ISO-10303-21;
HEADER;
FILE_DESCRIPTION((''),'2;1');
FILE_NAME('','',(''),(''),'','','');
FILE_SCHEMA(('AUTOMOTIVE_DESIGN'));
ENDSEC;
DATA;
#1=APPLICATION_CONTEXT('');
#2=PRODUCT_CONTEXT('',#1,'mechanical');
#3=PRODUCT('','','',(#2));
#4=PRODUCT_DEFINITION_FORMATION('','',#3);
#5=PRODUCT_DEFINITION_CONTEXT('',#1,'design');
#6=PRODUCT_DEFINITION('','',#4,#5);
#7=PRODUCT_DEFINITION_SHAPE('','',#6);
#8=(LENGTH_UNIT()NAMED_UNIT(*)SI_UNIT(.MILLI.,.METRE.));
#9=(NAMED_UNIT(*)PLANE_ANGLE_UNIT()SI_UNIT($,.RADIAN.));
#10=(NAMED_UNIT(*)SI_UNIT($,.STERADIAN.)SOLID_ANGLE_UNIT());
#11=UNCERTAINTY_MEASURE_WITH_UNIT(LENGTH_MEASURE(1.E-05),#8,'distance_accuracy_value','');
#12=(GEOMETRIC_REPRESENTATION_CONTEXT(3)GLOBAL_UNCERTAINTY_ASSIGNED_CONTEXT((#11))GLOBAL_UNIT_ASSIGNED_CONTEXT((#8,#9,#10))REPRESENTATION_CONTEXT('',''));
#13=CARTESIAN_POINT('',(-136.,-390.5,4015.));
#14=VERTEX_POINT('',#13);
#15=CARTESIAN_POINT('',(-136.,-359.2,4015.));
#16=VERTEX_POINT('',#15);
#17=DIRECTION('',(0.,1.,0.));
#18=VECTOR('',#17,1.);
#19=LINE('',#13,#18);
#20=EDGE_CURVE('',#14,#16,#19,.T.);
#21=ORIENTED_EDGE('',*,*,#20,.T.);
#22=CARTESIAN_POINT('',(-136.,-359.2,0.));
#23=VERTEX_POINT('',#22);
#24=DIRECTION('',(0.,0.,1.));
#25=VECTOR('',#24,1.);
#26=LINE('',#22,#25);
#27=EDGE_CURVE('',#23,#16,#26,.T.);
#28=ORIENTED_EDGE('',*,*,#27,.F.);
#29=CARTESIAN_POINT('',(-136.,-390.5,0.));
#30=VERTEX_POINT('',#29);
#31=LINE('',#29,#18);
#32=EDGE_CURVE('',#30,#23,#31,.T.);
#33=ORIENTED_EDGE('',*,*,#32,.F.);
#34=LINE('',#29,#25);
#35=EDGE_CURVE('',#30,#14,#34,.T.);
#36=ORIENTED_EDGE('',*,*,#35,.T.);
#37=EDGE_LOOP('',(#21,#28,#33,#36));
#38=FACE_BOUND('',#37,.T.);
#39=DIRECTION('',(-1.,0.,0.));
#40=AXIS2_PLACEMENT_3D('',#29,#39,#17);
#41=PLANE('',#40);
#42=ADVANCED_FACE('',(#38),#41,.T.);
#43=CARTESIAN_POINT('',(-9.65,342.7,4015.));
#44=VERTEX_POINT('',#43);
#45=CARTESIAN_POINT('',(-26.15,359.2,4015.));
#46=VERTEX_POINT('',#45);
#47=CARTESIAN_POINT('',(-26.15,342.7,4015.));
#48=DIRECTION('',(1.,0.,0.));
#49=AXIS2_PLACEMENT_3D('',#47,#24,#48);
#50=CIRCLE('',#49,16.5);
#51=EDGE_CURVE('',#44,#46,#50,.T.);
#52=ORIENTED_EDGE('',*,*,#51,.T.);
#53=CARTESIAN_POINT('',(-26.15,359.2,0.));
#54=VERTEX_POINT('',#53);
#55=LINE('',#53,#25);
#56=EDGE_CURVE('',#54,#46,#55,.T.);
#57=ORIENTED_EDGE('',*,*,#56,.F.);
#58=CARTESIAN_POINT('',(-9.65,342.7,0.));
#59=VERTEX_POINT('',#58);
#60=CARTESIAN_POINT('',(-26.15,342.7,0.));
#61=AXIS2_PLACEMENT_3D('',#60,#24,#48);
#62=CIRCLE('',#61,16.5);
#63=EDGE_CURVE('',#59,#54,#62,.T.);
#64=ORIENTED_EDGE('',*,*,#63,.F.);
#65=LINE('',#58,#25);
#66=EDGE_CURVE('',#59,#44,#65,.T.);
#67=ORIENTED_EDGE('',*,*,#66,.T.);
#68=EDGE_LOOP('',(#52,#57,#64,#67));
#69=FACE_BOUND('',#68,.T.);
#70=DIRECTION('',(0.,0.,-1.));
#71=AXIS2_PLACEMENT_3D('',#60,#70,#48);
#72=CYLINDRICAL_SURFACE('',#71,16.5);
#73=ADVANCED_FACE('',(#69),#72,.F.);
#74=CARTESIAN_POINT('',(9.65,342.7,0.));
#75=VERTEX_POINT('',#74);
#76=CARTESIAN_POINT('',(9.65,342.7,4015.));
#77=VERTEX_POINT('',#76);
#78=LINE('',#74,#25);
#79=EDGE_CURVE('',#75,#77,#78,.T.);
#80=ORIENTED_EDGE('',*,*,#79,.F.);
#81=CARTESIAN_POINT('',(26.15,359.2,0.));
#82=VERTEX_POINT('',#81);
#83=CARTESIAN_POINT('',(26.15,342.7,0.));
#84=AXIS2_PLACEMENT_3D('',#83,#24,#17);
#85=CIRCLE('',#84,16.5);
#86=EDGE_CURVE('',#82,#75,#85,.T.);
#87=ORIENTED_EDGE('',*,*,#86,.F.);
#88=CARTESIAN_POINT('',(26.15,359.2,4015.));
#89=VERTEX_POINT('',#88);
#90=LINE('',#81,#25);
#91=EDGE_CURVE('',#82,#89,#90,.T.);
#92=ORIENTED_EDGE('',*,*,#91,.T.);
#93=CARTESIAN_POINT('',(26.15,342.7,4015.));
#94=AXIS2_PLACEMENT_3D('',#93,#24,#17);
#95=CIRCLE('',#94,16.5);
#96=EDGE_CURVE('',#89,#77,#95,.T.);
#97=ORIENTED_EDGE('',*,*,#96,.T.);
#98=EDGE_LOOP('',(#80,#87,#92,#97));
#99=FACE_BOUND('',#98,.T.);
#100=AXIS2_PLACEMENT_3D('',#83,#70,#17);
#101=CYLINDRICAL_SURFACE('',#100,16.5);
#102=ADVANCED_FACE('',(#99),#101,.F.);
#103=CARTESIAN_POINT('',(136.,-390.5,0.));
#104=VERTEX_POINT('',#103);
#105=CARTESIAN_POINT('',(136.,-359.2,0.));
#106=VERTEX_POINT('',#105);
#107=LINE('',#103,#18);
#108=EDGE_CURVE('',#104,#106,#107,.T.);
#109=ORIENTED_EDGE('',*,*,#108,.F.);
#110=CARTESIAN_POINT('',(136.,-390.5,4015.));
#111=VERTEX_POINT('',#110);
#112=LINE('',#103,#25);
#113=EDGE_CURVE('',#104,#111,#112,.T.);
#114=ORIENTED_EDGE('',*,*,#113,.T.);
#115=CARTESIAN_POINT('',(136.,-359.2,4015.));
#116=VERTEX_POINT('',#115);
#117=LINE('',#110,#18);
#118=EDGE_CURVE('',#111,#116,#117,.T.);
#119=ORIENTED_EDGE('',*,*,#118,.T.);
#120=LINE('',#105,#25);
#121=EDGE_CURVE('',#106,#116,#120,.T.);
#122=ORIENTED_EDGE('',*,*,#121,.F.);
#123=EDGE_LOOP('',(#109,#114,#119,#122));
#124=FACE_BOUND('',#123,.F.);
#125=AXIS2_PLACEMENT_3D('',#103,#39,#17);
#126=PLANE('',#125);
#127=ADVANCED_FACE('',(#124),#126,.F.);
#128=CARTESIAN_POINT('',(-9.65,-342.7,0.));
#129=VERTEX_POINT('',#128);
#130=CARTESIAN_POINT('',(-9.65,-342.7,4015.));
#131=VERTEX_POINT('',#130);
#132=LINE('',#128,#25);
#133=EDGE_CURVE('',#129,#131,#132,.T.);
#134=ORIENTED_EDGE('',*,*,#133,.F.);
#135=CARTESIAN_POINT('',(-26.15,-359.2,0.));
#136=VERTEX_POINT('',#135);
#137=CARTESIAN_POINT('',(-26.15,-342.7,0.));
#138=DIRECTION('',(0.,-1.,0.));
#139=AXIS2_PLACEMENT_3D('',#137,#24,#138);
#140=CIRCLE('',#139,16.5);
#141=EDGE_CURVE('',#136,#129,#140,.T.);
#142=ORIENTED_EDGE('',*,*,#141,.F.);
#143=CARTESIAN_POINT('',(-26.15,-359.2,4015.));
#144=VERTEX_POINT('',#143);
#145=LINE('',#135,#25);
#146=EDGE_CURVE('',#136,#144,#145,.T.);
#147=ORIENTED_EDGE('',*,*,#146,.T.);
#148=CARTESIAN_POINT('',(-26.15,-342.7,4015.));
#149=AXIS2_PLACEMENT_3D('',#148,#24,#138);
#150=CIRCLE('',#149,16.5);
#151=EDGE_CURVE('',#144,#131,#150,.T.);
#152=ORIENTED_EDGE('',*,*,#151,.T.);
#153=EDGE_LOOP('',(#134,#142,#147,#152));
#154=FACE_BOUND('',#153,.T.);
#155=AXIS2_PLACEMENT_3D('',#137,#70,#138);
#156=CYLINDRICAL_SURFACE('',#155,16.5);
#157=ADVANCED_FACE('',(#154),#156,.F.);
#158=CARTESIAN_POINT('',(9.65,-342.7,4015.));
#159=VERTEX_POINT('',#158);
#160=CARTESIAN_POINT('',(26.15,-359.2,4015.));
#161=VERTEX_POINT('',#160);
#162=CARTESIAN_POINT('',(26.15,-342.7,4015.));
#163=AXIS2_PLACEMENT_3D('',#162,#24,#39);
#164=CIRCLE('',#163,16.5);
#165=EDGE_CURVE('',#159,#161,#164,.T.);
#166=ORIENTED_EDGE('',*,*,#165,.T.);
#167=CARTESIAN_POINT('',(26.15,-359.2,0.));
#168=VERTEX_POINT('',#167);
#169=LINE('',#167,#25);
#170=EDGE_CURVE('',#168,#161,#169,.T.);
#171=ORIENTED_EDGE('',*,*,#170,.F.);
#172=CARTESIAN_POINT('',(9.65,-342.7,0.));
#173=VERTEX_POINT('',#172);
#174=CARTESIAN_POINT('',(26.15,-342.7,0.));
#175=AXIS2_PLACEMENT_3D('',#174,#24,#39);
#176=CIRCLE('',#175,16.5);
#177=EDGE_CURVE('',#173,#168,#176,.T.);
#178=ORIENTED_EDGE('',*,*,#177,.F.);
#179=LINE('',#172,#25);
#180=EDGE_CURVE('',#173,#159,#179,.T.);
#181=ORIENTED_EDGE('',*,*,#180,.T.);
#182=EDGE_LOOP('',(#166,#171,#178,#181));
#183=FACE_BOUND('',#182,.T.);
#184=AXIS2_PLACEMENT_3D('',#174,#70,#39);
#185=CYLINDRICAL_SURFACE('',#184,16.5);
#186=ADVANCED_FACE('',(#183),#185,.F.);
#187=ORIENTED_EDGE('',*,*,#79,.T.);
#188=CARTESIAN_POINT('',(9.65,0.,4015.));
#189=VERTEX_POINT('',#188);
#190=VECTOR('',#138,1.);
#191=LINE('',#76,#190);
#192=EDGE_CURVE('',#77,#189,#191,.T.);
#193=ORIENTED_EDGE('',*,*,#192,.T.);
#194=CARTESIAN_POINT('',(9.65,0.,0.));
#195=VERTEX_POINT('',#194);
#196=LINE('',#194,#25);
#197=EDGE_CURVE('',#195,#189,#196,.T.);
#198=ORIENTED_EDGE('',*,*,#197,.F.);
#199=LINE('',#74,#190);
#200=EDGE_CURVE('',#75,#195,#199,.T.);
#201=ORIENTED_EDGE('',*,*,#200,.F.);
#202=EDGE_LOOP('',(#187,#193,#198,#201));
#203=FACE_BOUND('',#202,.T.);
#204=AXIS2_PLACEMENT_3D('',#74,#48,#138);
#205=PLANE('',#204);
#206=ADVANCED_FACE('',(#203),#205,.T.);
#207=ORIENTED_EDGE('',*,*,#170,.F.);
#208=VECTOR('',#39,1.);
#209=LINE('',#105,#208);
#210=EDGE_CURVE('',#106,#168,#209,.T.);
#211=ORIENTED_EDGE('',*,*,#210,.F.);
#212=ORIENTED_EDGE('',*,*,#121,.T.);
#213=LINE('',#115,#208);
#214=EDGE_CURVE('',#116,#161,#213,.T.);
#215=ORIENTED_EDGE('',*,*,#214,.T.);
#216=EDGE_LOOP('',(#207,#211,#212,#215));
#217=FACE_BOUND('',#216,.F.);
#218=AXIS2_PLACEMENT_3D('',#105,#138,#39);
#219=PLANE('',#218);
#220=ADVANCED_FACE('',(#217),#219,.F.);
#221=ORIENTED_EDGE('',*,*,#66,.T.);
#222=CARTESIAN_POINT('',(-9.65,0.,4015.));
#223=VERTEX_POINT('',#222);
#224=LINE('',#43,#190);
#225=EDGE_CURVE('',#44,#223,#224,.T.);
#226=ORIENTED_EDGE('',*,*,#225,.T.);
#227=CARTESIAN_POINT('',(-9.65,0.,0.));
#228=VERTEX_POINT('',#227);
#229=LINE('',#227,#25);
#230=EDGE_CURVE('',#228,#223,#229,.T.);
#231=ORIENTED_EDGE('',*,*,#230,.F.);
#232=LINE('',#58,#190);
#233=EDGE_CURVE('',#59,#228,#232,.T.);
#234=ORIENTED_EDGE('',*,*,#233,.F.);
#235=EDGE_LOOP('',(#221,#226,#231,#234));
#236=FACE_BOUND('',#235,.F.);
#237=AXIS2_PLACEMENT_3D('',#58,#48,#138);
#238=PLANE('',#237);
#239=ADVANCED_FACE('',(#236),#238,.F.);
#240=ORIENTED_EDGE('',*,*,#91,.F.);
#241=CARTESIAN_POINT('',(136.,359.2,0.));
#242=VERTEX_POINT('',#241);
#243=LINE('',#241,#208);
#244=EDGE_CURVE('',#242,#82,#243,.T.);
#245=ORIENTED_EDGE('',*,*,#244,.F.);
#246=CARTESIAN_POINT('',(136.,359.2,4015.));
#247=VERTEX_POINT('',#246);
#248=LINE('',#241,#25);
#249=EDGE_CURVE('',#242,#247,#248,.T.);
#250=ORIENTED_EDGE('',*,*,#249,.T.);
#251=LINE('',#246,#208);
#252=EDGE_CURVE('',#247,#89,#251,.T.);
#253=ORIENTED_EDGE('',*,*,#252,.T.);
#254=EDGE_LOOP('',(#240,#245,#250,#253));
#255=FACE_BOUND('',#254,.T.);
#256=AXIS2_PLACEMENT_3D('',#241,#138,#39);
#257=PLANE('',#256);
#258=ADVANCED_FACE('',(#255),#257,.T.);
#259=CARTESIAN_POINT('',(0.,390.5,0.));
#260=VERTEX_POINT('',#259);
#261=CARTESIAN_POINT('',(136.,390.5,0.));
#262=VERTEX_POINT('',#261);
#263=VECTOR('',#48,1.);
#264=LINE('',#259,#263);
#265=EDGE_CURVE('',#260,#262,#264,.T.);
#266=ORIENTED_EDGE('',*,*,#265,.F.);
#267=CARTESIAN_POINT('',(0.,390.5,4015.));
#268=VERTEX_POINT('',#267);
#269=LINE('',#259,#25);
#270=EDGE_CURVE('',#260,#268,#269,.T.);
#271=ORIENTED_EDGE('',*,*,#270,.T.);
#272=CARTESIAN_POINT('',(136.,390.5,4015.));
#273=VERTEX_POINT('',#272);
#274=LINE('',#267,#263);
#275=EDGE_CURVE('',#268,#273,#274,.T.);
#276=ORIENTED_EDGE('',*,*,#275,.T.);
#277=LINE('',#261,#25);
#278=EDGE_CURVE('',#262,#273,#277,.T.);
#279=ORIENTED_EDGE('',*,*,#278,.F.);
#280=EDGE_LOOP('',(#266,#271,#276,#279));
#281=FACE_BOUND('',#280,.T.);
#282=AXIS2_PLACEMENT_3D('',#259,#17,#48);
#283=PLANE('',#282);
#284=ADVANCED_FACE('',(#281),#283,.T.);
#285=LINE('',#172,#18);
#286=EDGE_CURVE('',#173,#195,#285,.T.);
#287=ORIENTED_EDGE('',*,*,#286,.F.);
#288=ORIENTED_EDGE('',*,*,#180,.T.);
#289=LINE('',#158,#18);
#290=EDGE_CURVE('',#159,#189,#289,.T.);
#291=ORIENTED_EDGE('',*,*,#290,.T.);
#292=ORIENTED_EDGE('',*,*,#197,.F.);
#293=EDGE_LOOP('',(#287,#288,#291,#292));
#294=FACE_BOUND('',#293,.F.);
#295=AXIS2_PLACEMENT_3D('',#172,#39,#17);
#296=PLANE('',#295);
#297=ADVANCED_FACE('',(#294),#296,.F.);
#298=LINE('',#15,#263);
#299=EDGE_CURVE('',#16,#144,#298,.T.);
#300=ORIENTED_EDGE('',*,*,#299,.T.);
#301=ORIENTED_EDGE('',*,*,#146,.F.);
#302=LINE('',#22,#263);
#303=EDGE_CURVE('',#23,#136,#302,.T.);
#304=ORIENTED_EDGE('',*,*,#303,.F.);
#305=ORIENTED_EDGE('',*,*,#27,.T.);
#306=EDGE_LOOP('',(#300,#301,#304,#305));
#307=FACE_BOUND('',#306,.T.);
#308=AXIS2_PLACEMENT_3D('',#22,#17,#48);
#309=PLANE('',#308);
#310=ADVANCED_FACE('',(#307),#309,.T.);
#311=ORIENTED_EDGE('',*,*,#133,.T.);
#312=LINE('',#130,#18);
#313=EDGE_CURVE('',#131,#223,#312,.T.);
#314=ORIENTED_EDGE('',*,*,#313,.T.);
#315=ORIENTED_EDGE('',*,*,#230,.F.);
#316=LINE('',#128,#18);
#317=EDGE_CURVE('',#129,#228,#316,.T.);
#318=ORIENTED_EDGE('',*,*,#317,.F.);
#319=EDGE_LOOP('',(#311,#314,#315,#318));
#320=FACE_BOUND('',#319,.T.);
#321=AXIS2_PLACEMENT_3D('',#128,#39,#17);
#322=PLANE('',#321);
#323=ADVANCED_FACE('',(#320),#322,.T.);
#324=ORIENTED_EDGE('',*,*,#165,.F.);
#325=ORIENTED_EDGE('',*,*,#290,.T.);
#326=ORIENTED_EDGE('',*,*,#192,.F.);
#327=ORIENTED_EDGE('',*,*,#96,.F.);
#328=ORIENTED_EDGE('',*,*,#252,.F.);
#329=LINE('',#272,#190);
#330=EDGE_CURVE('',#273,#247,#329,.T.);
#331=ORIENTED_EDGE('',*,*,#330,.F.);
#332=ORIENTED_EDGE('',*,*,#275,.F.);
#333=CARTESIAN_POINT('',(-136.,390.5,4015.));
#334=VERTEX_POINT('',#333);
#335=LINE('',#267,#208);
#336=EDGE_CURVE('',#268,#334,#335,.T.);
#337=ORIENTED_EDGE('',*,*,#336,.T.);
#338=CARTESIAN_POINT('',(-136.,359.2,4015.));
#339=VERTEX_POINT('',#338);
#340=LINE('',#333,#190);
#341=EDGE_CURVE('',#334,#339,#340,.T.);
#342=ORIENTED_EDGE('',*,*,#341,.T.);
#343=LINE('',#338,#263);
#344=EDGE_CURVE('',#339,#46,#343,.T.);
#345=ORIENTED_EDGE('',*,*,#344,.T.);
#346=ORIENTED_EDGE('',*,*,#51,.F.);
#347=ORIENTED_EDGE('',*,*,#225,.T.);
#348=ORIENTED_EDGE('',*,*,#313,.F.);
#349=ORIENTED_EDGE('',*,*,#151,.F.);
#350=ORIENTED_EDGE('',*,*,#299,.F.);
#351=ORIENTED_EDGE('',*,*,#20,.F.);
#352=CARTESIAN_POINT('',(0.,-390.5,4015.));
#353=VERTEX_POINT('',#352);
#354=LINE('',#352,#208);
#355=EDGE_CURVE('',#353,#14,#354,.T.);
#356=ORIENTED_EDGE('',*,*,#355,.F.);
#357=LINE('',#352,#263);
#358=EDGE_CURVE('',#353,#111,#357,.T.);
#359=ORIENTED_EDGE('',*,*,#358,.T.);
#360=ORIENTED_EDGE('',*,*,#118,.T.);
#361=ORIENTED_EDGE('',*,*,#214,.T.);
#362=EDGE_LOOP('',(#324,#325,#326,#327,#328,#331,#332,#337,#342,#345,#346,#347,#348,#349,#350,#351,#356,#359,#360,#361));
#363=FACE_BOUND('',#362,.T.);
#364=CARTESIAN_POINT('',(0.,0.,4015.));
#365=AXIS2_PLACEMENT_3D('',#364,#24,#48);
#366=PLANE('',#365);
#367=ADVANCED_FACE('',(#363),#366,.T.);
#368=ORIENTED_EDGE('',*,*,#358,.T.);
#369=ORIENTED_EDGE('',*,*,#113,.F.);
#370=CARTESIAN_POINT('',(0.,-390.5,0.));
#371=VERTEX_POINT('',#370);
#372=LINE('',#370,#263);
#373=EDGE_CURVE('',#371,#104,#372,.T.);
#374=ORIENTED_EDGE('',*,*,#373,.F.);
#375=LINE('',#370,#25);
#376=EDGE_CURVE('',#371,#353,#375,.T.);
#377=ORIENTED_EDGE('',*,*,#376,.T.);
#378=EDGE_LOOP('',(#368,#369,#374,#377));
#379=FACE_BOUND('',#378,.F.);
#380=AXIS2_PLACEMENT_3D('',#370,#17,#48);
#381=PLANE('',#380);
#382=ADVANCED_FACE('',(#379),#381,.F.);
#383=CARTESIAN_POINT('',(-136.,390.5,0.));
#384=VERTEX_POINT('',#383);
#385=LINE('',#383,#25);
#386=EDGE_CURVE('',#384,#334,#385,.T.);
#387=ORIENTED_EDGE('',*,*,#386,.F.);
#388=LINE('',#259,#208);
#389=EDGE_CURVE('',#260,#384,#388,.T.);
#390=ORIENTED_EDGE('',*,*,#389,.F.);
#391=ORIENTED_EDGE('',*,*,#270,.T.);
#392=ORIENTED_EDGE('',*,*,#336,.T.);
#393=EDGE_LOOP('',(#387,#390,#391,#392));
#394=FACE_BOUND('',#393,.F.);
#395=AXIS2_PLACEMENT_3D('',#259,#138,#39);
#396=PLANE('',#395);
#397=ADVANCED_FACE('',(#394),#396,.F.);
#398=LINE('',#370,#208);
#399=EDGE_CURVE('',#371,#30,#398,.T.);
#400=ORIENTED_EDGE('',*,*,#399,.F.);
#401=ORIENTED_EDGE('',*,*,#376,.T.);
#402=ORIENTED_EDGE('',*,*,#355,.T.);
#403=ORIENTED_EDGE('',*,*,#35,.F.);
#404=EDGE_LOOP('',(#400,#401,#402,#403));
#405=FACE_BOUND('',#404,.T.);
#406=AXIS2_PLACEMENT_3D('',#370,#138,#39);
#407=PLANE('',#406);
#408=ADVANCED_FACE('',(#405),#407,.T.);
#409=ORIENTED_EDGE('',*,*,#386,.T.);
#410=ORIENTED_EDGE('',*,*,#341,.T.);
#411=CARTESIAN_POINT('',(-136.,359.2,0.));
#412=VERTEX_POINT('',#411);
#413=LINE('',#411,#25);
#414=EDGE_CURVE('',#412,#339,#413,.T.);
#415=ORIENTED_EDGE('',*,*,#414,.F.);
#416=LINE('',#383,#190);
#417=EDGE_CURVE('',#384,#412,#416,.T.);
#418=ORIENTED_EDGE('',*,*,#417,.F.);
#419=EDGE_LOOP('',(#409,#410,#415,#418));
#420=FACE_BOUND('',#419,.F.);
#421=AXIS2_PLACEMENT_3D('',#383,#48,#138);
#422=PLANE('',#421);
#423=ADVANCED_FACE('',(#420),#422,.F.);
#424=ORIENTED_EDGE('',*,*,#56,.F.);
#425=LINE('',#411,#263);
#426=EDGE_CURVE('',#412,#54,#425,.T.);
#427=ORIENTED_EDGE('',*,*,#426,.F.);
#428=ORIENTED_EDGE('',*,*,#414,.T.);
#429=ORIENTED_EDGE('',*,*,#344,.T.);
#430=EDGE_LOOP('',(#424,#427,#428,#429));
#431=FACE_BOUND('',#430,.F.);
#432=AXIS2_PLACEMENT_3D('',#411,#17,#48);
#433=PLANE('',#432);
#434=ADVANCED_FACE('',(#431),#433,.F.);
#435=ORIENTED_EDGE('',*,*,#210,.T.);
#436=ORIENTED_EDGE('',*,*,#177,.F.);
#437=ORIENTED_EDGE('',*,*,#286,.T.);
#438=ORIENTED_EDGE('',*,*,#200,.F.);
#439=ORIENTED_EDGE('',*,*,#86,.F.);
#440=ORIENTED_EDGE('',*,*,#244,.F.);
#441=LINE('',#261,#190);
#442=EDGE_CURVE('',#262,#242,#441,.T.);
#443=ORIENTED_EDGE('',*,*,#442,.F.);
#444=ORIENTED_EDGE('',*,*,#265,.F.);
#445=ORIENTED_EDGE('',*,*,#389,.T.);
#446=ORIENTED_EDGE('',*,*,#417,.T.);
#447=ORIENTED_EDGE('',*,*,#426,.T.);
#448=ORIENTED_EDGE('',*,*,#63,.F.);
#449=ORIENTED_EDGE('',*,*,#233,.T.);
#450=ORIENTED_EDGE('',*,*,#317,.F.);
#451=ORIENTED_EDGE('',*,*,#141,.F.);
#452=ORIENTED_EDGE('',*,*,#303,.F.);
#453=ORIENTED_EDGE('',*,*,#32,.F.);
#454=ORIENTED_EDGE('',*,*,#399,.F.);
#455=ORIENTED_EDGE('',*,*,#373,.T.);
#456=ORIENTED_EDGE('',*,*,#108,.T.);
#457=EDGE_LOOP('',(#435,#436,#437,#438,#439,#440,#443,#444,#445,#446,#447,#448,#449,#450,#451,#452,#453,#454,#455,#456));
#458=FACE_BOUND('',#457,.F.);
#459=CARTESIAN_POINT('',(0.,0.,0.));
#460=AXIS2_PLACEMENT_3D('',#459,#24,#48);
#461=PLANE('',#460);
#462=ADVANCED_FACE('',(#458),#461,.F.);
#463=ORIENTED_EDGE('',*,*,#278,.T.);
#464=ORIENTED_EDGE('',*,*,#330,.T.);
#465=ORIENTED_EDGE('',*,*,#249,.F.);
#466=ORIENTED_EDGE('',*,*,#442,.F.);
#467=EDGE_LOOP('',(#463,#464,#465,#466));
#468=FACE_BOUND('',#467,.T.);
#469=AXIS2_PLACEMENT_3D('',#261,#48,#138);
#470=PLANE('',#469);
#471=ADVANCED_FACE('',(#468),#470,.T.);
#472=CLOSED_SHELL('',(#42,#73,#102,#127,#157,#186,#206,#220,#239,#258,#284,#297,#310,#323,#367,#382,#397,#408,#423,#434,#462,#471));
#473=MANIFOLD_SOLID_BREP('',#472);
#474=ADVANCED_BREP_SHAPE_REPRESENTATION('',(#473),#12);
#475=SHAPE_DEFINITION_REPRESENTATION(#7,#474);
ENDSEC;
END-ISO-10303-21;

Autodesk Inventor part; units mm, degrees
ref_plane "YZ Plane" through (0, 0, 0) normal (1, 0, 0) x (0, 1, 0)
ref_plane "Start plane" through (0, 0, 0) normal (0, 0, 1) x (1, 0, 0)
ref_plane "End plane" through (0, 0, 4015) normal (0, 0, 1) x (1, 0, 0)
sketch "Sketch" plane through (0, 0, 0) normal (0, 0, 1) x (1, 0, 0)
  line L0 (-136, -390.5) -> (-136, -359.2)
  line L1 (-136, -359.2) -> (-26.15, -359.2)
  line L2 (-9.65, -342.7) -> (-9.65, 0)
  line L3 (-9.65, 0) -> (0, 0) construction
  line L4 (0, 0) -> (0, -390.5) construction
  line L5 (0, -390.5) -> (-136, -390.5)
  line L6 (-60, 0) -> (80, 0) construction
  line L7 (0, -60) -> (0, 80) construction
  line L8 (136, -390.5) -> (136, -359.2)
  line L9 (136, -359.2) -> (26.15, -359.2)
  line L10 (9.65, -342.7) -> (9.65, 0)
  line L11 (9.65, 0) -> (0, 0) construction
  line L12 (0, -390.5) -> (136, -390.5)
  line L13 (-136, 390.5) -> (-136, 359.2)
  line L14 (-136, 359.2) -> (-26.15, 359.2)
  line L15 (-9.65, 342.7) -> (-9.65, 0)
  line L16 (0, 390.5) -> (-136, 390.5)
  line L17 (136, 390.5) -> (136, 359.2)
  line L18 (136, 359.2) -> (26.15, 359.2)
  line L19 (0, 390.5) -> (136, 390.5)
  line L20 (9.65, 342.7) -> (9.65, 0)
  arc A0 (-9.65, 342.7) -> (-26.15, 359.2) centre (-26.15, 342.7) ccw
  arc A1 (26.15, 359.2) -> (9.65, 342.7) centre (26.15, 342.7) ccw
  arc A2 (9.65, -342.7) -> (26.15, -359.2) centre (26.15, -342.7) ccw
  arc A3 (-26.15, -359.2) -> (-9.65, -342.7) centre (-26.15, -342.7) ccw
  line L21 (0, 108) -> (0, -88) construction
  line L22 (-88, 0) -> (108, 0) construction
  point P0 (-9.65, -359.2)
  point P1 (9.65, -359.2)
  point P2 (-9.65, 359.2)
  point P3 (9.65, 359.2)
  dimension "d1" = 390.5
  dimension "d2" = 31.3
  dimension "d3" = 136
  dimension "d4" = 9.65
  dimension "d10" = 16.5
extrude "Body" add sketch "Sketch" along normal up to surface (4015 mm away) from surface at 0
sketch "Sketch4" plane through (0, 0, 0) normal (0, 0, 1) x (1, 0, 0)
  line L0 (0, 0) -> (10, 0)
ref_plane "Work Plane3" through (0, 0, 0) normal (0, -1, 0) x (1, 0, 0)
sketch "Sketch5" plane through (0, 0, 0) normal (0, -1, 0) x (1, 0, 0)
  line L0 (-2, 0) -> (12, 0) projected
  line L1 (-2, 4015) -> (12, 4015) projected
  dimension "d14" = 4015
equation "\"d1\" = 0.5 * G_H"
equation "\"d2\" = G_T1"
equation "\"d3\" = 0.5 * G_W"
equation "\"d4\" = 0.5 * G_T"
equation "\"d10\" = G_IR"
equation "\"d5\" = G_L"
equation "\"G_W\" = 272"
equation "\"G_H\" = 781"
equation "\"G_T\" = 19.3"
equation "\"G_T1\" = 31.3"
equation "\"G_IR\" = 16.5"
equation "\"G_L\" = d14"
equation "\"G_OFFSET_START\" = 0"
equation "\"G_OFFSET_END\" = 0"
equation "\"d12\" = G_OFFSET_END + B_L"
equation "\"B_L\" = 4015"
properties part number "AS 3679-1990 - 760 UB - 244 - 4015" material "Steel, Mild"
